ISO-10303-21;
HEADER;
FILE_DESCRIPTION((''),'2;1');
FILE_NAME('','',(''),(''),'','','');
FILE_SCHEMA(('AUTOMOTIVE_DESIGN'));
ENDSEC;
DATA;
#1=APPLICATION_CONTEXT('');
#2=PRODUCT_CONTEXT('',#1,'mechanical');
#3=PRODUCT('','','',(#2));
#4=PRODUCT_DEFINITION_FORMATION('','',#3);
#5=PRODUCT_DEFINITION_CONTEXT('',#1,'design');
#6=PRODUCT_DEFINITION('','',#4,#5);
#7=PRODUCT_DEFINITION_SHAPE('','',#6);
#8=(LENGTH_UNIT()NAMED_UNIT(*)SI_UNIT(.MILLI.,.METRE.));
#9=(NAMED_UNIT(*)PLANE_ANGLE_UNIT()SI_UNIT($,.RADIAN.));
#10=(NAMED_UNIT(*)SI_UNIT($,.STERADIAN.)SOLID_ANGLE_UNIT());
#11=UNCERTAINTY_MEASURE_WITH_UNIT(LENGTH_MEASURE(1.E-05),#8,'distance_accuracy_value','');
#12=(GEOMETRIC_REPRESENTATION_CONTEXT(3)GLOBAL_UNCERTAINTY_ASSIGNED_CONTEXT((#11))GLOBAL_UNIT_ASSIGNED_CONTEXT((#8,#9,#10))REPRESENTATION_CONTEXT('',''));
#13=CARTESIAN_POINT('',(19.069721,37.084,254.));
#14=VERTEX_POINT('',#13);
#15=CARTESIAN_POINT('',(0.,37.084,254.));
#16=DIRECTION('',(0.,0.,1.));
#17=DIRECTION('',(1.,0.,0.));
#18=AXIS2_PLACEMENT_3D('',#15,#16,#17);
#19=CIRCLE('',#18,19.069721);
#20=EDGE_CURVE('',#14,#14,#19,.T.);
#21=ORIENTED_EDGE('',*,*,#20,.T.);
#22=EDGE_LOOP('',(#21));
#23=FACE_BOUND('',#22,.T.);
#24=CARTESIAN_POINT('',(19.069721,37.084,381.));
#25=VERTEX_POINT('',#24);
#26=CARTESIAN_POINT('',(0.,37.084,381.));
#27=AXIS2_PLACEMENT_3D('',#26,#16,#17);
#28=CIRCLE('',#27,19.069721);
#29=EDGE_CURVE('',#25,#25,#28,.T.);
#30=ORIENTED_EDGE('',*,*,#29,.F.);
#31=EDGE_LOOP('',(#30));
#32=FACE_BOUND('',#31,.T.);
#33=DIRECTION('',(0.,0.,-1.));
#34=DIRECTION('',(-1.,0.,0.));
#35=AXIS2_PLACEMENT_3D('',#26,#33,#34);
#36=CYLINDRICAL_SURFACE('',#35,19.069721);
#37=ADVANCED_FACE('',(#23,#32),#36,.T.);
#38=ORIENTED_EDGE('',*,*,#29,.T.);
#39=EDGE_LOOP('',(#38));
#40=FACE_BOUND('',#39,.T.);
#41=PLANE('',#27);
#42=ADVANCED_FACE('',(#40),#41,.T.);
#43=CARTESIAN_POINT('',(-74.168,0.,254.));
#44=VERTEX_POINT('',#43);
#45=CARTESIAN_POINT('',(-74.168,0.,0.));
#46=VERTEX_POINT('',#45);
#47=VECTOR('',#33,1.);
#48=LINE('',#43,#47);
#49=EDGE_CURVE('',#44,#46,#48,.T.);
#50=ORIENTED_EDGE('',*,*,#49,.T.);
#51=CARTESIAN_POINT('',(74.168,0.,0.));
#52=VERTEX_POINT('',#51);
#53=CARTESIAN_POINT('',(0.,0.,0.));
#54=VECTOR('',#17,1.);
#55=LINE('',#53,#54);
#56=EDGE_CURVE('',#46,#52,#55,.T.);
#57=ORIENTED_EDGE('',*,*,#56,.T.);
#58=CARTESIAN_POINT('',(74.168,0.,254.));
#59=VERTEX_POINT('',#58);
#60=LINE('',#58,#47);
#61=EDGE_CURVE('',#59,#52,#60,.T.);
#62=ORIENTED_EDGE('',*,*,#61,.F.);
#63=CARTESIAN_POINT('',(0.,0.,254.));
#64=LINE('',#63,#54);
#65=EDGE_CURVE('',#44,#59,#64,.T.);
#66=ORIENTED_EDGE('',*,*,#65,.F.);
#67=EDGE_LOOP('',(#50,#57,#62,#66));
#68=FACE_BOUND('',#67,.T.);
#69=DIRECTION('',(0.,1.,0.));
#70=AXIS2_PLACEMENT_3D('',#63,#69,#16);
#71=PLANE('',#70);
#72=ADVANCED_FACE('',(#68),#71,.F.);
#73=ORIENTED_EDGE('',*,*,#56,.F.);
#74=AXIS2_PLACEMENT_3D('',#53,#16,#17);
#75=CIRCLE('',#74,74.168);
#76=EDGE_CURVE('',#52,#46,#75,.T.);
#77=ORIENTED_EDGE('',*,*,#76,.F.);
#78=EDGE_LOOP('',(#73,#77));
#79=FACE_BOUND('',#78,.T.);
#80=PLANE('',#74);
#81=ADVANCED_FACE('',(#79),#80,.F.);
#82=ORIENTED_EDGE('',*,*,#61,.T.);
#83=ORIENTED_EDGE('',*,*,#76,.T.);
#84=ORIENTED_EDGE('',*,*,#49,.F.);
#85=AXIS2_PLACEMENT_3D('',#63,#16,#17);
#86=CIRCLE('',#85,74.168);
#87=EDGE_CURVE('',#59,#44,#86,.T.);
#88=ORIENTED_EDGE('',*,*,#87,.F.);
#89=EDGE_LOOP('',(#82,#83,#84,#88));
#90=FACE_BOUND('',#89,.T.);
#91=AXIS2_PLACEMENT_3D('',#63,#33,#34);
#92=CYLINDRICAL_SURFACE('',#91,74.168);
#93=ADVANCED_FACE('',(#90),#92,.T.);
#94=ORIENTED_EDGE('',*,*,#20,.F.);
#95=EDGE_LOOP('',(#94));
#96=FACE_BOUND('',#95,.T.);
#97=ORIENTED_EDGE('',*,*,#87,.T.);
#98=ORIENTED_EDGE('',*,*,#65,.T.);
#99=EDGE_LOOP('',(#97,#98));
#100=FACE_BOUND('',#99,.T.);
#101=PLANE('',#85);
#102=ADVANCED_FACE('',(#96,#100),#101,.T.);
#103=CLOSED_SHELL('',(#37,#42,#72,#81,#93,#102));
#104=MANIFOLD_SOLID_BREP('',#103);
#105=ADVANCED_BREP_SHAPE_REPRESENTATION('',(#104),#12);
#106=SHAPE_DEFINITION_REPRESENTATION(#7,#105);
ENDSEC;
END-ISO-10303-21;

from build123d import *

# Parameters (mm, degrees)
SALIENTE_EXTRUIR1_DEPTH = 254
CROQUIS2_R              = 19.069720967
SALIENTE_EXTRUIR2_DEPTH = 127


with BuildPart() as part:
    # Croquis1 → Saliente-Extruir1 (new body)
    with BuildSketch(Plane.XY):
        with BuildLine():
            Line((0, 0), (-74.168, 0))
            ThreePointArc((-74.168, 0), (0, 74.168), (74.168, 0))
            Line((74.168, 0), (0, 0))
        make_face()
    extrude(amount=SALIENTE_EXTRUIR1_DEPTH)

    # Croquis2 → Saliente-Extruir2 (add)
    with BuildSketch(Plane.XY.offset(254)):
        with Locations((0, 37.084)):
            Circle(CROQUIS2_R)
    extrude(amount=SALIENTE_EXTRUIR2_DEPTH)


solid = part.part
